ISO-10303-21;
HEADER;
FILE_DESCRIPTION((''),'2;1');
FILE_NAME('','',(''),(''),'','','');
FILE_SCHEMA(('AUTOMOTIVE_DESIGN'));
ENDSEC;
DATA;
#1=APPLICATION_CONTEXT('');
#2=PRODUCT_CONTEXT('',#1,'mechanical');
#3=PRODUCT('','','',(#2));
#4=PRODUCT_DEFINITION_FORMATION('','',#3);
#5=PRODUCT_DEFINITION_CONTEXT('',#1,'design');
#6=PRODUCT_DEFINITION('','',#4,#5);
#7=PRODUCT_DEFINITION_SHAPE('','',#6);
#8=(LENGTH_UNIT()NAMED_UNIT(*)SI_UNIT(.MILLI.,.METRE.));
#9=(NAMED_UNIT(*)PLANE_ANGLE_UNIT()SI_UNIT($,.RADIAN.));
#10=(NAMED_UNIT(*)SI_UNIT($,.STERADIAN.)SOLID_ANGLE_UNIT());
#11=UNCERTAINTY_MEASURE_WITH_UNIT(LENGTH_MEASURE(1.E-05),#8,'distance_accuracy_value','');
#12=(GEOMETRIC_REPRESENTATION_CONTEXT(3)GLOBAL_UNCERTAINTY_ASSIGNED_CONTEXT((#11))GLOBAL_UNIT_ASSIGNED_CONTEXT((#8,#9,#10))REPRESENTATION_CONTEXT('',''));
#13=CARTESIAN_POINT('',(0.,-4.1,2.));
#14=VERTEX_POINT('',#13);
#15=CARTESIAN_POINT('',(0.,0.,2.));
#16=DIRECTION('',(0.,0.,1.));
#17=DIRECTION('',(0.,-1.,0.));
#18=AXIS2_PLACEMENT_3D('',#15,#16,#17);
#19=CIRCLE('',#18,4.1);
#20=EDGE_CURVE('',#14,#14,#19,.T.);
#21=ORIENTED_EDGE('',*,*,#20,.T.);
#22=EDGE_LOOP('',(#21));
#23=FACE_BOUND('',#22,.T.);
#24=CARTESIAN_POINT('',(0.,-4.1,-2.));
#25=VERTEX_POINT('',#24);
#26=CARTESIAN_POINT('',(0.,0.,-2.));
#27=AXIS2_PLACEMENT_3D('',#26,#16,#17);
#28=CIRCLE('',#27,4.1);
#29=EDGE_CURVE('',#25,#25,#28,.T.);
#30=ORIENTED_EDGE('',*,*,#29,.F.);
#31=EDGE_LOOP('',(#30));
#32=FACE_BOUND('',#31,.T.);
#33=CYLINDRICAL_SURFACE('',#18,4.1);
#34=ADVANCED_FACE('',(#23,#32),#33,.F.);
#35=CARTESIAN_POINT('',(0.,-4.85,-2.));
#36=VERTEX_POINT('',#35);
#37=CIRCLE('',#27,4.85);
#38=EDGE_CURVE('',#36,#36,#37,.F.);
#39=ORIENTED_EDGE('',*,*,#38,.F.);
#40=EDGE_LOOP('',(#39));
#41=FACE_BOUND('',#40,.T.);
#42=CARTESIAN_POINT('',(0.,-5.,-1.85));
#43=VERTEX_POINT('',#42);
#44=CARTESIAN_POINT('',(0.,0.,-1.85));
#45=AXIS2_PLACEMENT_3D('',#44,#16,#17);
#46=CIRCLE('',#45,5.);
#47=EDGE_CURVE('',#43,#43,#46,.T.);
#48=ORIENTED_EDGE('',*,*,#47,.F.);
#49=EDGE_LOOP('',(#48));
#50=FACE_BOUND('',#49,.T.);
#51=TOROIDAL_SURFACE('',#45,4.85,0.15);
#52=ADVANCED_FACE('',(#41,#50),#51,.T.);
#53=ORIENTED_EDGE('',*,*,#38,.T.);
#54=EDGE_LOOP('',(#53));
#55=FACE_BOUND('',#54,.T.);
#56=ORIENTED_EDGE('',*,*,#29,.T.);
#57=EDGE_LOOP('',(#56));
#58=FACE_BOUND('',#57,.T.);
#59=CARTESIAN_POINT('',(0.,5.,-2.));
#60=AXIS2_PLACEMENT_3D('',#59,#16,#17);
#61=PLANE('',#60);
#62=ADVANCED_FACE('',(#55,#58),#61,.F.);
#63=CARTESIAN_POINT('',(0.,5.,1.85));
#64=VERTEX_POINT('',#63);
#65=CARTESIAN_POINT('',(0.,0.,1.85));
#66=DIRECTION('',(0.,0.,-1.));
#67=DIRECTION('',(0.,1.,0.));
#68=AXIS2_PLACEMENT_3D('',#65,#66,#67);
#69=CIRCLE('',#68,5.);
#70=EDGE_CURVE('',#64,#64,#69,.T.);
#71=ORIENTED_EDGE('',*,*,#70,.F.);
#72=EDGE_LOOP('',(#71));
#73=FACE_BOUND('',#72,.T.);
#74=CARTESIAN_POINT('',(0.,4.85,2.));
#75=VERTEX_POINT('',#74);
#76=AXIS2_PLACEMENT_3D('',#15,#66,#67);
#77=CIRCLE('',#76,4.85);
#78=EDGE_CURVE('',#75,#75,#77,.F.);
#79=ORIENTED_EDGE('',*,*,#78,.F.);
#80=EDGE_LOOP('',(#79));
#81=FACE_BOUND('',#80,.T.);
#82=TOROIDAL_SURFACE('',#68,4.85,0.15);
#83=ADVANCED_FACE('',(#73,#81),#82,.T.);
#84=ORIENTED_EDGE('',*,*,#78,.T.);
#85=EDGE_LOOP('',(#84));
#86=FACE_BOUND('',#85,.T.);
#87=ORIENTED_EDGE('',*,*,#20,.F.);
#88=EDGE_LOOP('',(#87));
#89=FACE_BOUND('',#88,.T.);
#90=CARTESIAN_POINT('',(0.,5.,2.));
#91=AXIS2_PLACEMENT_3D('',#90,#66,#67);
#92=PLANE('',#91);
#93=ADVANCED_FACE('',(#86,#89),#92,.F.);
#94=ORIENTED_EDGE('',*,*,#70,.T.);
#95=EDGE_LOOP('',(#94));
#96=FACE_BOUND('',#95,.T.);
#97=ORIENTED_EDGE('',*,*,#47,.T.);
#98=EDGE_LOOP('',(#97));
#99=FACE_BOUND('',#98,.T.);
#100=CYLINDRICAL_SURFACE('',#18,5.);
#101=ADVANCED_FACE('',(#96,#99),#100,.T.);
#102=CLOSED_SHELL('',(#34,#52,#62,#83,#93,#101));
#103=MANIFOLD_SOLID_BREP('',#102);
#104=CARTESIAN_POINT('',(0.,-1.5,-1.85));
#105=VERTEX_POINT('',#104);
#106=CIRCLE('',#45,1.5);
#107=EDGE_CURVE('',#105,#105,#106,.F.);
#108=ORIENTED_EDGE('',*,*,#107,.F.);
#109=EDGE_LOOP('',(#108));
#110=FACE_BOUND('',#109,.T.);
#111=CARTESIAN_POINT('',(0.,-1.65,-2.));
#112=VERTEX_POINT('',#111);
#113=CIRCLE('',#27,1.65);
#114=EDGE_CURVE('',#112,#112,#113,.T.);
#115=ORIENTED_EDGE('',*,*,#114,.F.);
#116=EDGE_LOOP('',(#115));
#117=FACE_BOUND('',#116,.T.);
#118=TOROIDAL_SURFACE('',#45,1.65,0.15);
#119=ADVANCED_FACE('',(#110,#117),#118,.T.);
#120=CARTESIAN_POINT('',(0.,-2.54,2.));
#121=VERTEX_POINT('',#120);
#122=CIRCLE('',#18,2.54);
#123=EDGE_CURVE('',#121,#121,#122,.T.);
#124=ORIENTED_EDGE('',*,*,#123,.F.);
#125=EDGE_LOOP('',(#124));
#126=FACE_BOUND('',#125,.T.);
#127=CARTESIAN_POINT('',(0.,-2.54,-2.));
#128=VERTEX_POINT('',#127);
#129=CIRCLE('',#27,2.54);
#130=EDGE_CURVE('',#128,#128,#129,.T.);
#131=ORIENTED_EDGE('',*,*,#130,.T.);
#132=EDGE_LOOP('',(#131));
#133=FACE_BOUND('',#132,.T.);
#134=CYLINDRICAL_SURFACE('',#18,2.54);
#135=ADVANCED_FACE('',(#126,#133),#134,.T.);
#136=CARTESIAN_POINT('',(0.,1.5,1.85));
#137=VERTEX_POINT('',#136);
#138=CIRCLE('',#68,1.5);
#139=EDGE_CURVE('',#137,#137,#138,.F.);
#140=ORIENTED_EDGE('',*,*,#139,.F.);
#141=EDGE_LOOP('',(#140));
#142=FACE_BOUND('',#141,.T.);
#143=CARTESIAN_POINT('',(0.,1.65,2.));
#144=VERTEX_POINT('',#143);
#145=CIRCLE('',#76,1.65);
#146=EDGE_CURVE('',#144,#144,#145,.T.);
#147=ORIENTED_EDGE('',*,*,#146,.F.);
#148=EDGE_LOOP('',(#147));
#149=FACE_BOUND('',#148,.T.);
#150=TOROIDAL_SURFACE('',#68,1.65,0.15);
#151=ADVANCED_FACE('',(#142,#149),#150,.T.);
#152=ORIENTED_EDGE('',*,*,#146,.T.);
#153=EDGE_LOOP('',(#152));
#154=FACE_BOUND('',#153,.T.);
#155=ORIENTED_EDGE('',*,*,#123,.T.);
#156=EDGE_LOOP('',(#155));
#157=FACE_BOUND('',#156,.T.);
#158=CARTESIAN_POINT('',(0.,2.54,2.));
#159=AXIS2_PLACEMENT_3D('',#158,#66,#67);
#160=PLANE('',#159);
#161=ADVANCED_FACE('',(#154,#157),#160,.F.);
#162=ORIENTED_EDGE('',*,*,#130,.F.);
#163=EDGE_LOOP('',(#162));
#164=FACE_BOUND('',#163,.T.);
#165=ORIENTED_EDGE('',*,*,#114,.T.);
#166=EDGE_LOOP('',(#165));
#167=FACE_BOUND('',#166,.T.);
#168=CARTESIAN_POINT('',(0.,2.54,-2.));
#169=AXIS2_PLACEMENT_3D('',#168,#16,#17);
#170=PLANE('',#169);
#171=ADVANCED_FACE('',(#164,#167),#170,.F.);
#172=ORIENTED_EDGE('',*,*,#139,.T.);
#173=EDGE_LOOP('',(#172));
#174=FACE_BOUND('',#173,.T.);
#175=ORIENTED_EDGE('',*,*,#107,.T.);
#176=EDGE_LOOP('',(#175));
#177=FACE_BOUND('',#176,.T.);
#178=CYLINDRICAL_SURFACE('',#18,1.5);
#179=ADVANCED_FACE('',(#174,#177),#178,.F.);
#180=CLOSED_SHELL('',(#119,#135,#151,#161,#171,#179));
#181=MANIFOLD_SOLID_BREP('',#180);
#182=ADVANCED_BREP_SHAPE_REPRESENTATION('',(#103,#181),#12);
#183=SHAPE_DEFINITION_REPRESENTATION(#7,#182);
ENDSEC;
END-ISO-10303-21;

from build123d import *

# Parameters (mm, degrees)
SKETCH1_W   = 4
SKETCH1_H   = 0.9
SKETCH1_H_2 = 1.04
FILLET1_R   = 0.15
FILLET2_R   = 0.15


with BuildPart() as part:
    # Sketch1 → Revolve1 (revolve)
    with BuildSketch(Plane(origin=(0, 0, 0), x_dir=(0, 0, -1), z_dir=(1, 0, 0)), mode=Mode.PRIVATE) as revolve1_sk:
        with Locations((0, 4.55)):
            Rectangle(SKETCH1_W, SKETCH1_H)
        with Locations((0, 2.02)):
            Rectangle(SKETCH1_W, SKETCH1_H_2)
    revolve(revolve1_sk.sketch.rotate(Axis((0, 0, 2), (0, 0, -1)), 180), axis=Axis((0, 0, 2), (0, 0, -1)))

    # Fillet1
    fillet1_edges = [part.edges().sort_by_distance(p)[0] for p in [
        (0, 5, 2),
        (0, 5, -2),
    ]]
    fillet(fillet1_edges, radius=FILLET1_R)

    # Fillet2
    fillet2_edges = [part.edges().sort_by_distance(p)[0] for p in [
        (0, 1.5, -2),
        (0, 1.5, 2),
    ]]
    fillet(fillet2_edges, radius=FILLET2_R)


solid = part.part
